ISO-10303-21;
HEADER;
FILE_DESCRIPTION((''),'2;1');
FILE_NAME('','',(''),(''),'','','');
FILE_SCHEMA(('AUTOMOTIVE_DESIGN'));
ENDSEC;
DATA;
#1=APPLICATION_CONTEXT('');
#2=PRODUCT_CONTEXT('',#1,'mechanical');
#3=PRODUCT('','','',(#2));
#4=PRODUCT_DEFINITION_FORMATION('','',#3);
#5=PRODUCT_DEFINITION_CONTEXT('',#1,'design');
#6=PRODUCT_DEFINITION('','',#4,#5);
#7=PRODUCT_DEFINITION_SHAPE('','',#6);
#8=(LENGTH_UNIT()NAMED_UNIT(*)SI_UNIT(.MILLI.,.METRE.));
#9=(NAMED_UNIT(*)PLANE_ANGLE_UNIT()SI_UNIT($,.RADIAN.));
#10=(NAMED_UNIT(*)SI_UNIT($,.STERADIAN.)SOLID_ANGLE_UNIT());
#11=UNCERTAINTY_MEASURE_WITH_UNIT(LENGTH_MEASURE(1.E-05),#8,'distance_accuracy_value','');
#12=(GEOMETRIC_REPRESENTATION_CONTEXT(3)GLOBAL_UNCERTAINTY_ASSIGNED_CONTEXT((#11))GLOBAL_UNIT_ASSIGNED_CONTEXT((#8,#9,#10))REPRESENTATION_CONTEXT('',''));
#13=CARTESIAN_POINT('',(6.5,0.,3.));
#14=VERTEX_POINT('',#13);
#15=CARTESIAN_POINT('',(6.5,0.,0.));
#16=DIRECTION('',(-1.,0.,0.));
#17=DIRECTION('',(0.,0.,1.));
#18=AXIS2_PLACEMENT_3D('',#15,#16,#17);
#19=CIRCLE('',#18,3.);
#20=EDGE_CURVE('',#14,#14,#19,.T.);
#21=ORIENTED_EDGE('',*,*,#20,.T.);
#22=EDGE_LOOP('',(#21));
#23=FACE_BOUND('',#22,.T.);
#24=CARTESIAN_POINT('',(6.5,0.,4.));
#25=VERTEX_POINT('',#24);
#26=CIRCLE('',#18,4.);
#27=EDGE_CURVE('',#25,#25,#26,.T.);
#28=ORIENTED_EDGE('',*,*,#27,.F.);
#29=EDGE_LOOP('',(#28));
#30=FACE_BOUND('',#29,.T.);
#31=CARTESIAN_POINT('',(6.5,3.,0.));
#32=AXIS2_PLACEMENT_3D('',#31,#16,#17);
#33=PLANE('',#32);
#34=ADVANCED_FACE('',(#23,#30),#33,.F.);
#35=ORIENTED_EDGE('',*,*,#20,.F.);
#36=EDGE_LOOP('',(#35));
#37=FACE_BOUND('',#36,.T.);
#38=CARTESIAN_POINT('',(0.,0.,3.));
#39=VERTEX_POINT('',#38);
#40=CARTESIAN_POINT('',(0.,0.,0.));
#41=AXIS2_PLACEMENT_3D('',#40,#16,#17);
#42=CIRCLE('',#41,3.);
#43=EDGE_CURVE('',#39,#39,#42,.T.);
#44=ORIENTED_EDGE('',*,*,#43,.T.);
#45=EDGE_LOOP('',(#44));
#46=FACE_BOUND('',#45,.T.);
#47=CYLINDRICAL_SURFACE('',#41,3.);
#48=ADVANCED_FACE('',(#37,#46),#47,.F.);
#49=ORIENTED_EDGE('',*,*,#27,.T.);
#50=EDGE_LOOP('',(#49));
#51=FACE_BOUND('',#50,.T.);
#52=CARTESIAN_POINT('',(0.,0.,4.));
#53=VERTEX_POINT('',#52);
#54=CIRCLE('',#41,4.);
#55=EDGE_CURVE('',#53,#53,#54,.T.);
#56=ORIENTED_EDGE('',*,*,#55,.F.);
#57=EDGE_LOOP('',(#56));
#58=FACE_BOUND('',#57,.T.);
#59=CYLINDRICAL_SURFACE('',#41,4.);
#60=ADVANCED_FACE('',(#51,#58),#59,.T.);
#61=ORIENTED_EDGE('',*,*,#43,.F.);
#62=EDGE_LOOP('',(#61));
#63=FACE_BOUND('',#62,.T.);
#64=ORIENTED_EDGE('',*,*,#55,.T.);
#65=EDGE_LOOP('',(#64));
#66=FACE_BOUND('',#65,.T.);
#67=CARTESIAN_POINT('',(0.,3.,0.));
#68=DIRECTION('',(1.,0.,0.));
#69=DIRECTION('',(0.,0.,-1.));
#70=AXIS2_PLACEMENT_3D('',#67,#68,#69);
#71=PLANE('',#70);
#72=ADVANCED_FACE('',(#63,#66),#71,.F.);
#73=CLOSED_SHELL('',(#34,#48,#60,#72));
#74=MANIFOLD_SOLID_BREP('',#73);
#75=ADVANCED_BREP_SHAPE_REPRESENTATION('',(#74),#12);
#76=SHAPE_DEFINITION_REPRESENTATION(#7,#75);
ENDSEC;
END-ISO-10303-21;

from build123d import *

# Parameters (mm, degrees)
SKETCH1_W = 6.5
SKETCH1_H = 1


with BuildPart() as part:
    # Sketch1 → Revolve1 (revolve)
    with BuildSketch(Plane.XY, mode=Mode.PRIVATE) as revolve1_sk:
        with Locations((3.25, 3.5)):
            Rectangle(SKETCH1_W, SKETCH1_H)
    revolve(revolve1_sk.sketch.rotate(Axis((0, 0, 0), (1, 0, 0)), 90), axis=Axis((0, 0, 0), (1, 0, 0)))


solid = part.part
